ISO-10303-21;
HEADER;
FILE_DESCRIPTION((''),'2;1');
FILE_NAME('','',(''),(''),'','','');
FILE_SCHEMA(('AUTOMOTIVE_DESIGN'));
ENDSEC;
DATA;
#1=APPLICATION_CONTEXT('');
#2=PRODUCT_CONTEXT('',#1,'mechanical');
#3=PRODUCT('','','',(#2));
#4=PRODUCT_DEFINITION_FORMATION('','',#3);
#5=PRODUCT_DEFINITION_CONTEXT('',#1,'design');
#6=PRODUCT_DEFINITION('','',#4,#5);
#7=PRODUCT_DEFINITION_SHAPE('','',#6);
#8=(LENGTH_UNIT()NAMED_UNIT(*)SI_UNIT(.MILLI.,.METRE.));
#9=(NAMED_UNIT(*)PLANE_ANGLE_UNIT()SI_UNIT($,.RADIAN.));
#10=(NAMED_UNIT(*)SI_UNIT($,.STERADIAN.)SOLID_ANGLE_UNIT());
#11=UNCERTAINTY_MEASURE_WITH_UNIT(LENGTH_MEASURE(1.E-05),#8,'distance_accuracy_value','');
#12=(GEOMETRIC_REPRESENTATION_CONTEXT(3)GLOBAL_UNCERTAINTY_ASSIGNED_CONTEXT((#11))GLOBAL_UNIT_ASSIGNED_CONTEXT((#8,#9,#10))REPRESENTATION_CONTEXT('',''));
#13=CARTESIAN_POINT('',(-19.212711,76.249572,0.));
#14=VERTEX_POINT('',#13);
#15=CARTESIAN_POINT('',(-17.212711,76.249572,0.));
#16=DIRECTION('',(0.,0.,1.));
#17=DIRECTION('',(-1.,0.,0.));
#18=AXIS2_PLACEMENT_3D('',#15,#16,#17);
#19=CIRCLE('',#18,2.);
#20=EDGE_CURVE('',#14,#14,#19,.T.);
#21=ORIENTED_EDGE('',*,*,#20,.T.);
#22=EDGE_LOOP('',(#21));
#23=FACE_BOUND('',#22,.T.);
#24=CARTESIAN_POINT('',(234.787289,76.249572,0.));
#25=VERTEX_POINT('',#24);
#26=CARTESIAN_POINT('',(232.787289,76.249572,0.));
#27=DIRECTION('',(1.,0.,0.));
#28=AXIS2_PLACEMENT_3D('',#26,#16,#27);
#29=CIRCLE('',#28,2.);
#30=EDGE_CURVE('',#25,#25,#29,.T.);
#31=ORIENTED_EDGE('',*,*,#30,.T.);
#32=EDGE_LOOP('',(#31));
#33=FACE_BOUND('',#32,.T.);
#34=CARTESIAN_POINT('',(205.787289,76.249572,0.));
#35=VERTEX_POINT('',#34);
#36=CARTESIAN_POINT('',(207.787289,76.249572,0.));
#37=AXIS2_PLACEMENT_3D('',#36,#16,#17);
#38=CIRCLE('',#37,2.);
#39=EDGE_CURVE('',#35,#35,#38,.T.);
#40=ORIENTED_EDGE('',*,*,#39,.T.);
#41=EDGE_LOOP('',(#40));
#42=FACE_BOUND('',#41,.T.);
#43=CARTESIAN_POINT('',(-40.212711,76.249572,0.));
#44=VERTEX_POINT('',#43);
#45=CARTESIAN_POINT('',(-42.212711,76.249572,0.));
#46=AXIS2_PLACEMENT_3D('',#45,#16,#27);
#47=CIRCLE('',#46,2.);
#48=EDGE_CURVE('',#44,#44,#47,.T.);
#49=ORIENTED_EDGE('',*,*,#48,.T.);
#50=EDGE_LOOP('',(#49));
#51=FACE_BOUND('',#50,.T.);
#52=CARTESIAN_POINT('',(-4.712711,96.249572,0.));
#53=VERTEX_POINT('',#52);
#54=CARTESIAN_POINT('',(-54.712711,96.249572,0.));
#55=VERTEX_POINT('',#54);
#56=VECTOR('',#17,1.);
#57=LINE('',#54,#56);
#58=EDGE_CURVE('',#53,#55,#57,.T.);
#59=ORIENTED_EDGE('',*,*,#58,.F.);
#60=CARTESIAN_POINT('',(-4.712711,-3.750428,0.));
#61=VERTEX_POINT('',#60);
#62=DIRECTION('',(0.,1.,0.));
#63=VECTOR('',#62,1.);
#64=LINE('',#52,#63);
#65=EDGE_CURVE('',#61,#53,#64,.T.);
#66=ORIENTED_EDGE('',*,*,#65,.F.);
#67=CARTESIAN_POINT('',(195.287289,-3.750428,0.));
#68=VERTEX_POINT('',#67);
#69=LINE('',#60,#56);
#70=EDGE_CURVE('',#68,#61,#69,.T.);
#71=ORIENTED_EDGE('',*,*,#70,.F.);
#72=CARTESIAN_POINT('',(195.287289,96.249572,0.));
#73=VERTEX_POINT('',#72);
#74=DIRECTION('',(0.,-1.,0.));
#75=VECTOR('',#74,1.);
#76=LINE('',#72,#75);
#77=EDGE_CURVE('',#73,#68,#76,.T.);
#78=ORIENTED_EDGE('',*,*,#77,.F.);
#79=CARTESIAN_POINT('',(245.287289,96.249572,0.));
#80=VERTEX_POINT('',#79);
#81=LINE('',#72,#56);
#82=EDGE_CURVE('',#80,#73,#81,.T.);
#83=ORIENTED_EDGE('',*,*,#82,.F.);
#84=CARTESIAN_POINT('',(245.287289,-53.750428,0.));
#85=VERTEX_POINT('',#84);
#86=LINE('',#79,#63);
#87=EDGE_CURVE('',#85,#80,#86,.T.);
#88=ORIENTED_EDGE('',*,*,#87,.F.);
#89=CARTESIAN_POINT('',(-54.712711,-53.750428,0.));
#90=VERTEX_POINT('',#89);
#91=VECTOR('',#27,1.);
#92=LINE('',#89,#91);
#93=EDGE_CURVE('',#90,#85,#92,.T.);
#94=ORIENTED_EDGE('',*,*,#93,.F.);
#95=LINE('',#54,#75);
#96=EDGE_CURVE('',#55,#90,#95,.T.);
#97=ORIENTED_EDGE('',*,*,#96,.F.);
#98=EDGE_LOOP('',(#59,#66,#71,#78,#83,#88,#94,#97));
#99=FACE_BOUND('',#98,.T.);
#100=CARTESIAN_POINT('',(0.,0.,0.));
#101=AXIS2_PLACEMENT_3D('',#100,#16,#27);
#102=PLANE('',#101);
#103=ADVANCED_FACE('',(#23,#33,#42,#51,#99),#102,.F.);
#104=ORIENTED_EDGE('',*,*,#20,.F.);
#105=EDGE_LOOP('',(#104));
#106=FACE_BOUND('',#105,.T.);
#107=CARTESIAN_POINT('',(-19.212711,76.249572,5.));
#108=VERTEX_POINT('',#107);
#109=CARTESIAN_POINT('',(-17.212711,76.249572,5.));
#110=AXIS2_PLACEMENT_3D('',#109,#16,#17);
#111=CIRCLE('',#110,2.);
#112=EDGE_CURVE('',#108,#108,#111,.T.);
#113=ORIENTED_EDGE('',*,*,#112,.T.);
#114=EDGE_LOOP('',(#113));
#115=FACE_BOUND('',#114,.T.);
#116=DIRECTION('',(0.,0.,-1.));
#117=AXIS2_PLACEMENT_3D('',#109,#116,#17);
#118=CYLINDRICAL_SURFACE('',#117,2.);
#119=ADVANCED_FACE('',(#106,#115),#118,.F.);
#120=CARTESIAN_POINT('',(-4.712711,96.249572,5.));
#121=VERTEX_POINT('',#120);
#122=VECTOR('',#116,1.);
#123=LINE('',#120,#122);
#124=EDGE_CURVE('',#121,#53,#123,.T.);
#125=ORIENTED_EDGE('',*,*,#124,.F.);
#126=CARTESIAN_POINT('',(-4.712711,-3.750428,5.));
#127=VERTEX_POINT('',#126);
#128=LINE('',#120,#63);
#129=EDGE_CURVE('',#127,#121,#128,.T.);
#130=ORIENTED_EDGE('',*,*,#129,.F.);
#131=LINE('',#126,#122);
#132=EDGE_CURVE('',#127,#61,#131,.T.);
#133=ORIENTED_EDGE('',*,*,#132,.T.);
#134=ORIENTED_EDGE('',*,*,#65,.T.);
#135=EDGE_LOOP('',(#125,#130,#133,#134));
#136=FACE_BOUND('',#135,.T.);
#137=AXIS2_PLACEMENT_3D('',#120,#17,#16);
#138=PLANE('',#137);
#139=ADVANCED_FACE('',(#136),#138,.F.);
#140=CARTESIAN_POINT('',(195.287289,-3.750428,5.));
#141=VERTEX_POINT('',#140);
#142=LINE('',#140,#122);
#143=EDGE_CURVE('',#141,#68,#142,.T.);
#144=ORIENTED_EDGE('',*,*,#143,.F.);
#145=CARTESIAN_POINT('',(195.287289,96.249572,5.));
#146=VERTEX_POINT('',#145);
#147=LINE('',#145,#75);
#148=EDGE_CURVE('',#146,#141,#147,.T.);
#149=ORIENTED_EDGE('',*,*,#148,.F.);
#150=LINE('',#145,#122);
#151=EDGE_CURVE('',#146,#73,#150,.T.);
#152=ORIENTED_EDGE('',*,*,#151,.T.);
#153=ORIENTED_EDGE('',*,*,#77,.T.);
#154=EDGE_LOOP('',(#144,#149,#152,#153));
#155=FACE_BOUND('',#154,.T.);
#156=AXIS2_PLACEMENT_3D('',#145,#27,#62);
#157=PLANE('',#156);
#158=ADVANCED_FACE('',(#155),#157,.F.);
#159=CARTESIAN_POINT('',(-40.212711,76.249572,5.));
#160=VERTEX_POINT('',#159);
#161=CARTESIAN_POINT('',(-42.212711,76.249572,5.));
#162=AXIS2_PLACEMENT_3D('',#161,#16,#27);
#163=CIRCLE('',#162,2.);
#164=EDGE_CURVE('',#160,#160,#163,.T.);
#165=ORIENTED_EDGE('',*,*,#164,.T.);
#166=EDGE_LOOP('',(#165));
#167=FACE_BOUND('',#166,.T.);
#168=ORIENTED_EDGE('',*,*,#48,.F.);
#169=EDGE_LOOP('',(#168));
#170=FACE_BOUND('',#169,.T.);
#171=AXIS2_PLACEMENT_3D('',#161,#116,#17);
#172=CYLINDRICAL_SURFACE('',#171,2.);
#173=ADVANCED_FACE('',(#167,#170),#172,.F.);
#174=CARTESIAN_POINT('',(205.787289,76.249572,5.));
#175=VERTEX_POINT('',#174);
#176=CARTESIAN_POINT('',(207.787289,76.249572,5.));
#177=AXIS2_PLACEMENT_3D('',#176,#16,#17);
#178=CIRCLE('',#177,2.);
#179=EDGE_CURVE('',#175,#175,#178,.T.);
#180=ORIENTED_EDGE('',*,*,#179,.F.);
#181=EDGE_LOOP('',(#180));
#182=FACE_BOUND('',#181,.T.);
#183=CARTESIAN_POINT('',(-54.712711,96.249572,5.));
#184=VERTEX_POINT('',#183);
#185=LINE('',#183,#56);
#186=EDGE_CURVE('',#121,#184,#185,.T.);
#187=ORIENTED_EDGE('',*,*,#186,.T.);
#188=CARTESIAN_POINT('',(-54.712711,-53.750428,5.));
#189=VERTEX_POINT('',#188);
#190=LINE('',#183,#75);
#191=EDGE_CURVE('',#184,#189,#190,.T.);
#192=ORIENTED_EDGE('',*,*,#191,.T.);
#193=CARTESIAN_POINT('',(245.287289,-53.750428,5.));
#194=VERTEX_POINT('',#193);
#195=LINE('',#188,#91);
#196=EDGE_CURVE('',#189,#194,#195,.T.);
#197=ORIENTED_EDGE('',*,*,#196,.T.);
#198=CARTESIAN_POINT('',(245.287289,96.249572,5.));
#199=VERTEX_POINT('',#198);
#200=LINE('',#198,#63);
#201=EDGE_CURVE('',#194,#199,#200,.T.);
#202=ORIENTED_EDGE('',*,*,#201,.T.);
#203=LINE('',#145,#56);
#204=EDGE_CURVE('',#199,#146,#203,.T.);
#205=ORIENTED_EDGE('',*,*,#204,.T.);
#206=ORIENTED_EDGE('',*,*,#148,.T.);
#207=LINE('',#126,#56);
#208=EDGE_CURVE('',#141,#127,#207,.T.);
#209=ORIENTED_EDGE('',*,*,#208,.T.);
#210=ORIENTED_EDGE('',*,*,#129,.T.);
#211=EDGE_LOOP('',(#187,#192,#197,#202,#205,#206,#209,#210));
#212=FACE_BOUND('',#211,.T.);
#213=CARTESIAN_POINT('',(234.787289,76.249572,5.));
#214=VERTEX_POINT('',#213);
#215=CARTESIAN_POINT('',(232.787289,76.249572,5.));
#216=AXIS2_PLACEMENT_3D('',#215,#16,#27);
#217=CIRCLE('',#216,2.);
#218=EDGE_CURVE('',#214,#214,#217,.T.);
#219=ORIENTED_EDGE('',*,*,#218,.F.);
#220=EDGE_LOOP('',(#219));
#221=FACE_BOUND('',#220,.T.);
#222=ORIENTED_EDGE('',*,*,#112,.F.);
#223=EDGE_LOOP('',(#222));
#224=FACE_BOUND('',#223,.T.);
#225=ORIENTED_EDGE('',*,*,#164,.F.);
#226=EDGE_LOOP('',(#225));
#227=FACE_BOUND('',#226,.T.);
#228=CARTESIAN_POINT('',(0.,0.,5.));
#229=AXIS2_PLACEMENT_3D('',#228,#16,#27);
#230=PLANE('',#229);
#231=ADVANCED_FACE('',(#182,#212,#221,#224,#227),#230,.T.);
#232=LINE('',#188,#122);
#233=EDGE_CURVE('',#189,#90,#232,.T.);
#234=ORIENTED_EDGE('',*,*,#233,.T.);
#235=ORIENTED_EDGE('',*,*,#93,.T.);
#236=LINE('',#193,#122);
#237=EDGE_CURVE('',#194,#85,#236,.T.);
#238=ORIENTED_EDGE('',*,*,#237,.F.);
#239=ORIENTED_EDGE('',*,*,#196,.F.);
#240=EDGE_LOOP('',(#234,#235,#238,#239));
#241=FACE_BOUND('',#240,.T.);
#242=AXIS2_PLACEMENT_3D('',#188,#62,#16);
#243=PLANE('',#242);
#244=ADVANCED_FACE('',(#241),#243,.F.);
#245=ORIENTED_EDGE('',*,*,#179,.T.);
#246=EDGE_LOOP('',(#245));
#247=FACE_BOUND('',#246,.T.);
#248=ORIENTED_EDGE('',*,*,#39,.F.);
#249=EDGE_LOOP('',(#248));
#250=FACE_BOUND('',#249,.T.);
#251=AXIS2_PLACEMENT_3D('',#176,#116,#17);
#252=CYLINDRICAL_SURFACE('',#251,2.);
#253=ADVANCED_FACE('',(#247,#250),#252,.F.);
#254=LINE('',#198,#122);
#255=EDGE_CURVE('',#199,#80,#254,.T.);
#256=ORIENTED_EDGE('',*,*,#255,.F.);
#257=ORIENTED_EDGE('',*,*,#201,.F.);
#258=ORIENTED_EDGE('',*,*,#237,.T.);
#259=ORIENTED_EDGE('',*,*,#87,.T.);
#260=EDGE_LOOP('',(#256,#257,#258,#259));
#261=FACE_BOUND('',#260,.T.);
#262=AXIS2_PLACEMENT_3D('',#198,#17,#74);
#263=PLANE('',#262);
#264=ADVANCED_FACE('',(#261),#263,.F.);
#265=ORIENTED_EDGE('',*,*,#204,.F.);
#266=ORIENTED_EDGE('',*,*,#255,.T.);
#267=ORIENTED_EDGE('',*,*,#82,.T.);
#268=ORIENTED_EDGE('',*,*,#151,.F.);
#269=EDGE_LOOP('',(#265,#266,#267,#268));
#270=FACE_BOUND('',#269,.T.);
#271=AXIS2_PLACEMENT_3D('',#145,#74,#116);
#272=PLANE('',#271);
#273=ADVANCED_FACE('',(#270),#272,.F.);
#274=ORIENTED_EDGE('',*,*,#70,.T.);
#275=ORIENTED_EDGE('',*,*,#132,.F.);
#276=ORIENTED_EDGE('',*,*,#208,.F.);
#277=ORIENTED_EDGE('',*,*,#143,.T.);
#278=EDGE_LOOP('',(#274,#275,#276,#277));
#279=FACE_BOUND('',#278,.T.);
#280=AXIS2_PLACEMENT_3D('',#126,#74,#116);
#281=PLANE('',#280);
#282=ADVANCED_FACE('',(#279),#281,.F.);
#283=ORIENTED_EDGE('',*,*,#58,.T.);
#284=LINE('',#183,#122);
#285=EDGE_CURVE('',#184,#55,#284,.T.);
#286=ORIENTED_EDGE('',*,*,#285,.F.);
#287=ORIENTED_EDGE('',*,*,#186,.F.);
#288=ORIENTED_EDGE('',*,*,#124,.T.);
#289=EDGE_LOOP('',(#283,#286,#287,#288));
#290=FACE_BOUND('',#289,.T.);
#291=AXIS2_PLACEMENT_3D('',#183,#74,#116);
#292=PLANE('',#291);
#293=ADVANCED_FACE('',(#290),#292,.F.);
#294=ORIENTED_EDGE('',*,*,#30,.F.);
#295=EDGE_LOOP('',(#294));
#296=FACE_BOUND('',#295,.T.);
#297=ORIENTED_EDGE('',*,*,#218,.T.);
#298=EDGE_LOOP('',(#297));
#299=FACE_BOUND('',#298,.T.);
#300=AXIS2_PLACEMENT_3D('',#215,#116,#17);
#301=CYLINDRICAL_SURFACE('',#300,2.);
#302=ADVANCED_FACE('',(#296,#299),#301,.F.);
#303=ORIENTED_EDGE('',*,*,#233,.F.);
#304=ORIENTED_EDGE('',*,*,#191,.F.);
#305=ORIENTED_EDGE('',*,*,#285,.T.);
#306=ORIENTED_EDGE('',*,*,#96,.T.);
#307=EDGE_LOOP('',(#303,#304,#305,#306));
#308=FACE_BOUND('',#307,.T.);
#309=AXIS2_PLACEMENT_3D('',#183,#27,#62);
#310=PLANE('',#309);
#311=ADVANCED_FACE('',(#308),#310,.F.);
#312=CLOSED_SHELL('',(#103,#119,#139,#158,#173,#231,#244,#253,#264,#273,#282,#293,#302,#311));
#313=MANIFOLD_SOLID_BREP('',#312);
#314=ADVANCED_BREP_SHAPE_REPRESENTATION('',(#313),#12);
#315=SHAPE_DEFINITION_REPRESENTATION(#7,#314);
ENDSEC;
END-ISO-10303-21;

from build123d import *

# Parameters (mm, degrees)
SKETCH2_R           = 2
BOSS_EXTRUDE1_DEPTH = 5


with BuildPart() as part:
    # Sketch2 → Boss-Extrude1 (new body)
    with BuildSketch(Plane.XY):
        Polygon((-54.712711464, 96.249572406), (-4.712711464, 96.249572406), (-4.712711464, -3.750427594), (195.287288536, -3.750427594), (195.287288536, 96.249572406), (245.287288536, 96.249572406), (245.287288536, -53.750427594), (-54.712711464, -53.750427594), align=None)
        with Locations((-42.212711464, 76.249572406)):
            Circle(SKETCH2_R, mode=Mode.SUBTRACT)
        with Locations((232.787288536, 76.249572406)):
            Circle(SKETCH2_R, mode=Mode.SUBTRACT)
        with Locations((207.787288536, 76.249572406)):
            Circle(SKETCH2_R, mode=Mode.SUBTRACT)
        with Locations((-17.212711464, 76.249572406)):
            Circle(SKETCH2_R, mode=Mode.SUBTRACT)
    extrude(amount=BOSS_EXTRUDE1_DEPTH)


solid = part.part
